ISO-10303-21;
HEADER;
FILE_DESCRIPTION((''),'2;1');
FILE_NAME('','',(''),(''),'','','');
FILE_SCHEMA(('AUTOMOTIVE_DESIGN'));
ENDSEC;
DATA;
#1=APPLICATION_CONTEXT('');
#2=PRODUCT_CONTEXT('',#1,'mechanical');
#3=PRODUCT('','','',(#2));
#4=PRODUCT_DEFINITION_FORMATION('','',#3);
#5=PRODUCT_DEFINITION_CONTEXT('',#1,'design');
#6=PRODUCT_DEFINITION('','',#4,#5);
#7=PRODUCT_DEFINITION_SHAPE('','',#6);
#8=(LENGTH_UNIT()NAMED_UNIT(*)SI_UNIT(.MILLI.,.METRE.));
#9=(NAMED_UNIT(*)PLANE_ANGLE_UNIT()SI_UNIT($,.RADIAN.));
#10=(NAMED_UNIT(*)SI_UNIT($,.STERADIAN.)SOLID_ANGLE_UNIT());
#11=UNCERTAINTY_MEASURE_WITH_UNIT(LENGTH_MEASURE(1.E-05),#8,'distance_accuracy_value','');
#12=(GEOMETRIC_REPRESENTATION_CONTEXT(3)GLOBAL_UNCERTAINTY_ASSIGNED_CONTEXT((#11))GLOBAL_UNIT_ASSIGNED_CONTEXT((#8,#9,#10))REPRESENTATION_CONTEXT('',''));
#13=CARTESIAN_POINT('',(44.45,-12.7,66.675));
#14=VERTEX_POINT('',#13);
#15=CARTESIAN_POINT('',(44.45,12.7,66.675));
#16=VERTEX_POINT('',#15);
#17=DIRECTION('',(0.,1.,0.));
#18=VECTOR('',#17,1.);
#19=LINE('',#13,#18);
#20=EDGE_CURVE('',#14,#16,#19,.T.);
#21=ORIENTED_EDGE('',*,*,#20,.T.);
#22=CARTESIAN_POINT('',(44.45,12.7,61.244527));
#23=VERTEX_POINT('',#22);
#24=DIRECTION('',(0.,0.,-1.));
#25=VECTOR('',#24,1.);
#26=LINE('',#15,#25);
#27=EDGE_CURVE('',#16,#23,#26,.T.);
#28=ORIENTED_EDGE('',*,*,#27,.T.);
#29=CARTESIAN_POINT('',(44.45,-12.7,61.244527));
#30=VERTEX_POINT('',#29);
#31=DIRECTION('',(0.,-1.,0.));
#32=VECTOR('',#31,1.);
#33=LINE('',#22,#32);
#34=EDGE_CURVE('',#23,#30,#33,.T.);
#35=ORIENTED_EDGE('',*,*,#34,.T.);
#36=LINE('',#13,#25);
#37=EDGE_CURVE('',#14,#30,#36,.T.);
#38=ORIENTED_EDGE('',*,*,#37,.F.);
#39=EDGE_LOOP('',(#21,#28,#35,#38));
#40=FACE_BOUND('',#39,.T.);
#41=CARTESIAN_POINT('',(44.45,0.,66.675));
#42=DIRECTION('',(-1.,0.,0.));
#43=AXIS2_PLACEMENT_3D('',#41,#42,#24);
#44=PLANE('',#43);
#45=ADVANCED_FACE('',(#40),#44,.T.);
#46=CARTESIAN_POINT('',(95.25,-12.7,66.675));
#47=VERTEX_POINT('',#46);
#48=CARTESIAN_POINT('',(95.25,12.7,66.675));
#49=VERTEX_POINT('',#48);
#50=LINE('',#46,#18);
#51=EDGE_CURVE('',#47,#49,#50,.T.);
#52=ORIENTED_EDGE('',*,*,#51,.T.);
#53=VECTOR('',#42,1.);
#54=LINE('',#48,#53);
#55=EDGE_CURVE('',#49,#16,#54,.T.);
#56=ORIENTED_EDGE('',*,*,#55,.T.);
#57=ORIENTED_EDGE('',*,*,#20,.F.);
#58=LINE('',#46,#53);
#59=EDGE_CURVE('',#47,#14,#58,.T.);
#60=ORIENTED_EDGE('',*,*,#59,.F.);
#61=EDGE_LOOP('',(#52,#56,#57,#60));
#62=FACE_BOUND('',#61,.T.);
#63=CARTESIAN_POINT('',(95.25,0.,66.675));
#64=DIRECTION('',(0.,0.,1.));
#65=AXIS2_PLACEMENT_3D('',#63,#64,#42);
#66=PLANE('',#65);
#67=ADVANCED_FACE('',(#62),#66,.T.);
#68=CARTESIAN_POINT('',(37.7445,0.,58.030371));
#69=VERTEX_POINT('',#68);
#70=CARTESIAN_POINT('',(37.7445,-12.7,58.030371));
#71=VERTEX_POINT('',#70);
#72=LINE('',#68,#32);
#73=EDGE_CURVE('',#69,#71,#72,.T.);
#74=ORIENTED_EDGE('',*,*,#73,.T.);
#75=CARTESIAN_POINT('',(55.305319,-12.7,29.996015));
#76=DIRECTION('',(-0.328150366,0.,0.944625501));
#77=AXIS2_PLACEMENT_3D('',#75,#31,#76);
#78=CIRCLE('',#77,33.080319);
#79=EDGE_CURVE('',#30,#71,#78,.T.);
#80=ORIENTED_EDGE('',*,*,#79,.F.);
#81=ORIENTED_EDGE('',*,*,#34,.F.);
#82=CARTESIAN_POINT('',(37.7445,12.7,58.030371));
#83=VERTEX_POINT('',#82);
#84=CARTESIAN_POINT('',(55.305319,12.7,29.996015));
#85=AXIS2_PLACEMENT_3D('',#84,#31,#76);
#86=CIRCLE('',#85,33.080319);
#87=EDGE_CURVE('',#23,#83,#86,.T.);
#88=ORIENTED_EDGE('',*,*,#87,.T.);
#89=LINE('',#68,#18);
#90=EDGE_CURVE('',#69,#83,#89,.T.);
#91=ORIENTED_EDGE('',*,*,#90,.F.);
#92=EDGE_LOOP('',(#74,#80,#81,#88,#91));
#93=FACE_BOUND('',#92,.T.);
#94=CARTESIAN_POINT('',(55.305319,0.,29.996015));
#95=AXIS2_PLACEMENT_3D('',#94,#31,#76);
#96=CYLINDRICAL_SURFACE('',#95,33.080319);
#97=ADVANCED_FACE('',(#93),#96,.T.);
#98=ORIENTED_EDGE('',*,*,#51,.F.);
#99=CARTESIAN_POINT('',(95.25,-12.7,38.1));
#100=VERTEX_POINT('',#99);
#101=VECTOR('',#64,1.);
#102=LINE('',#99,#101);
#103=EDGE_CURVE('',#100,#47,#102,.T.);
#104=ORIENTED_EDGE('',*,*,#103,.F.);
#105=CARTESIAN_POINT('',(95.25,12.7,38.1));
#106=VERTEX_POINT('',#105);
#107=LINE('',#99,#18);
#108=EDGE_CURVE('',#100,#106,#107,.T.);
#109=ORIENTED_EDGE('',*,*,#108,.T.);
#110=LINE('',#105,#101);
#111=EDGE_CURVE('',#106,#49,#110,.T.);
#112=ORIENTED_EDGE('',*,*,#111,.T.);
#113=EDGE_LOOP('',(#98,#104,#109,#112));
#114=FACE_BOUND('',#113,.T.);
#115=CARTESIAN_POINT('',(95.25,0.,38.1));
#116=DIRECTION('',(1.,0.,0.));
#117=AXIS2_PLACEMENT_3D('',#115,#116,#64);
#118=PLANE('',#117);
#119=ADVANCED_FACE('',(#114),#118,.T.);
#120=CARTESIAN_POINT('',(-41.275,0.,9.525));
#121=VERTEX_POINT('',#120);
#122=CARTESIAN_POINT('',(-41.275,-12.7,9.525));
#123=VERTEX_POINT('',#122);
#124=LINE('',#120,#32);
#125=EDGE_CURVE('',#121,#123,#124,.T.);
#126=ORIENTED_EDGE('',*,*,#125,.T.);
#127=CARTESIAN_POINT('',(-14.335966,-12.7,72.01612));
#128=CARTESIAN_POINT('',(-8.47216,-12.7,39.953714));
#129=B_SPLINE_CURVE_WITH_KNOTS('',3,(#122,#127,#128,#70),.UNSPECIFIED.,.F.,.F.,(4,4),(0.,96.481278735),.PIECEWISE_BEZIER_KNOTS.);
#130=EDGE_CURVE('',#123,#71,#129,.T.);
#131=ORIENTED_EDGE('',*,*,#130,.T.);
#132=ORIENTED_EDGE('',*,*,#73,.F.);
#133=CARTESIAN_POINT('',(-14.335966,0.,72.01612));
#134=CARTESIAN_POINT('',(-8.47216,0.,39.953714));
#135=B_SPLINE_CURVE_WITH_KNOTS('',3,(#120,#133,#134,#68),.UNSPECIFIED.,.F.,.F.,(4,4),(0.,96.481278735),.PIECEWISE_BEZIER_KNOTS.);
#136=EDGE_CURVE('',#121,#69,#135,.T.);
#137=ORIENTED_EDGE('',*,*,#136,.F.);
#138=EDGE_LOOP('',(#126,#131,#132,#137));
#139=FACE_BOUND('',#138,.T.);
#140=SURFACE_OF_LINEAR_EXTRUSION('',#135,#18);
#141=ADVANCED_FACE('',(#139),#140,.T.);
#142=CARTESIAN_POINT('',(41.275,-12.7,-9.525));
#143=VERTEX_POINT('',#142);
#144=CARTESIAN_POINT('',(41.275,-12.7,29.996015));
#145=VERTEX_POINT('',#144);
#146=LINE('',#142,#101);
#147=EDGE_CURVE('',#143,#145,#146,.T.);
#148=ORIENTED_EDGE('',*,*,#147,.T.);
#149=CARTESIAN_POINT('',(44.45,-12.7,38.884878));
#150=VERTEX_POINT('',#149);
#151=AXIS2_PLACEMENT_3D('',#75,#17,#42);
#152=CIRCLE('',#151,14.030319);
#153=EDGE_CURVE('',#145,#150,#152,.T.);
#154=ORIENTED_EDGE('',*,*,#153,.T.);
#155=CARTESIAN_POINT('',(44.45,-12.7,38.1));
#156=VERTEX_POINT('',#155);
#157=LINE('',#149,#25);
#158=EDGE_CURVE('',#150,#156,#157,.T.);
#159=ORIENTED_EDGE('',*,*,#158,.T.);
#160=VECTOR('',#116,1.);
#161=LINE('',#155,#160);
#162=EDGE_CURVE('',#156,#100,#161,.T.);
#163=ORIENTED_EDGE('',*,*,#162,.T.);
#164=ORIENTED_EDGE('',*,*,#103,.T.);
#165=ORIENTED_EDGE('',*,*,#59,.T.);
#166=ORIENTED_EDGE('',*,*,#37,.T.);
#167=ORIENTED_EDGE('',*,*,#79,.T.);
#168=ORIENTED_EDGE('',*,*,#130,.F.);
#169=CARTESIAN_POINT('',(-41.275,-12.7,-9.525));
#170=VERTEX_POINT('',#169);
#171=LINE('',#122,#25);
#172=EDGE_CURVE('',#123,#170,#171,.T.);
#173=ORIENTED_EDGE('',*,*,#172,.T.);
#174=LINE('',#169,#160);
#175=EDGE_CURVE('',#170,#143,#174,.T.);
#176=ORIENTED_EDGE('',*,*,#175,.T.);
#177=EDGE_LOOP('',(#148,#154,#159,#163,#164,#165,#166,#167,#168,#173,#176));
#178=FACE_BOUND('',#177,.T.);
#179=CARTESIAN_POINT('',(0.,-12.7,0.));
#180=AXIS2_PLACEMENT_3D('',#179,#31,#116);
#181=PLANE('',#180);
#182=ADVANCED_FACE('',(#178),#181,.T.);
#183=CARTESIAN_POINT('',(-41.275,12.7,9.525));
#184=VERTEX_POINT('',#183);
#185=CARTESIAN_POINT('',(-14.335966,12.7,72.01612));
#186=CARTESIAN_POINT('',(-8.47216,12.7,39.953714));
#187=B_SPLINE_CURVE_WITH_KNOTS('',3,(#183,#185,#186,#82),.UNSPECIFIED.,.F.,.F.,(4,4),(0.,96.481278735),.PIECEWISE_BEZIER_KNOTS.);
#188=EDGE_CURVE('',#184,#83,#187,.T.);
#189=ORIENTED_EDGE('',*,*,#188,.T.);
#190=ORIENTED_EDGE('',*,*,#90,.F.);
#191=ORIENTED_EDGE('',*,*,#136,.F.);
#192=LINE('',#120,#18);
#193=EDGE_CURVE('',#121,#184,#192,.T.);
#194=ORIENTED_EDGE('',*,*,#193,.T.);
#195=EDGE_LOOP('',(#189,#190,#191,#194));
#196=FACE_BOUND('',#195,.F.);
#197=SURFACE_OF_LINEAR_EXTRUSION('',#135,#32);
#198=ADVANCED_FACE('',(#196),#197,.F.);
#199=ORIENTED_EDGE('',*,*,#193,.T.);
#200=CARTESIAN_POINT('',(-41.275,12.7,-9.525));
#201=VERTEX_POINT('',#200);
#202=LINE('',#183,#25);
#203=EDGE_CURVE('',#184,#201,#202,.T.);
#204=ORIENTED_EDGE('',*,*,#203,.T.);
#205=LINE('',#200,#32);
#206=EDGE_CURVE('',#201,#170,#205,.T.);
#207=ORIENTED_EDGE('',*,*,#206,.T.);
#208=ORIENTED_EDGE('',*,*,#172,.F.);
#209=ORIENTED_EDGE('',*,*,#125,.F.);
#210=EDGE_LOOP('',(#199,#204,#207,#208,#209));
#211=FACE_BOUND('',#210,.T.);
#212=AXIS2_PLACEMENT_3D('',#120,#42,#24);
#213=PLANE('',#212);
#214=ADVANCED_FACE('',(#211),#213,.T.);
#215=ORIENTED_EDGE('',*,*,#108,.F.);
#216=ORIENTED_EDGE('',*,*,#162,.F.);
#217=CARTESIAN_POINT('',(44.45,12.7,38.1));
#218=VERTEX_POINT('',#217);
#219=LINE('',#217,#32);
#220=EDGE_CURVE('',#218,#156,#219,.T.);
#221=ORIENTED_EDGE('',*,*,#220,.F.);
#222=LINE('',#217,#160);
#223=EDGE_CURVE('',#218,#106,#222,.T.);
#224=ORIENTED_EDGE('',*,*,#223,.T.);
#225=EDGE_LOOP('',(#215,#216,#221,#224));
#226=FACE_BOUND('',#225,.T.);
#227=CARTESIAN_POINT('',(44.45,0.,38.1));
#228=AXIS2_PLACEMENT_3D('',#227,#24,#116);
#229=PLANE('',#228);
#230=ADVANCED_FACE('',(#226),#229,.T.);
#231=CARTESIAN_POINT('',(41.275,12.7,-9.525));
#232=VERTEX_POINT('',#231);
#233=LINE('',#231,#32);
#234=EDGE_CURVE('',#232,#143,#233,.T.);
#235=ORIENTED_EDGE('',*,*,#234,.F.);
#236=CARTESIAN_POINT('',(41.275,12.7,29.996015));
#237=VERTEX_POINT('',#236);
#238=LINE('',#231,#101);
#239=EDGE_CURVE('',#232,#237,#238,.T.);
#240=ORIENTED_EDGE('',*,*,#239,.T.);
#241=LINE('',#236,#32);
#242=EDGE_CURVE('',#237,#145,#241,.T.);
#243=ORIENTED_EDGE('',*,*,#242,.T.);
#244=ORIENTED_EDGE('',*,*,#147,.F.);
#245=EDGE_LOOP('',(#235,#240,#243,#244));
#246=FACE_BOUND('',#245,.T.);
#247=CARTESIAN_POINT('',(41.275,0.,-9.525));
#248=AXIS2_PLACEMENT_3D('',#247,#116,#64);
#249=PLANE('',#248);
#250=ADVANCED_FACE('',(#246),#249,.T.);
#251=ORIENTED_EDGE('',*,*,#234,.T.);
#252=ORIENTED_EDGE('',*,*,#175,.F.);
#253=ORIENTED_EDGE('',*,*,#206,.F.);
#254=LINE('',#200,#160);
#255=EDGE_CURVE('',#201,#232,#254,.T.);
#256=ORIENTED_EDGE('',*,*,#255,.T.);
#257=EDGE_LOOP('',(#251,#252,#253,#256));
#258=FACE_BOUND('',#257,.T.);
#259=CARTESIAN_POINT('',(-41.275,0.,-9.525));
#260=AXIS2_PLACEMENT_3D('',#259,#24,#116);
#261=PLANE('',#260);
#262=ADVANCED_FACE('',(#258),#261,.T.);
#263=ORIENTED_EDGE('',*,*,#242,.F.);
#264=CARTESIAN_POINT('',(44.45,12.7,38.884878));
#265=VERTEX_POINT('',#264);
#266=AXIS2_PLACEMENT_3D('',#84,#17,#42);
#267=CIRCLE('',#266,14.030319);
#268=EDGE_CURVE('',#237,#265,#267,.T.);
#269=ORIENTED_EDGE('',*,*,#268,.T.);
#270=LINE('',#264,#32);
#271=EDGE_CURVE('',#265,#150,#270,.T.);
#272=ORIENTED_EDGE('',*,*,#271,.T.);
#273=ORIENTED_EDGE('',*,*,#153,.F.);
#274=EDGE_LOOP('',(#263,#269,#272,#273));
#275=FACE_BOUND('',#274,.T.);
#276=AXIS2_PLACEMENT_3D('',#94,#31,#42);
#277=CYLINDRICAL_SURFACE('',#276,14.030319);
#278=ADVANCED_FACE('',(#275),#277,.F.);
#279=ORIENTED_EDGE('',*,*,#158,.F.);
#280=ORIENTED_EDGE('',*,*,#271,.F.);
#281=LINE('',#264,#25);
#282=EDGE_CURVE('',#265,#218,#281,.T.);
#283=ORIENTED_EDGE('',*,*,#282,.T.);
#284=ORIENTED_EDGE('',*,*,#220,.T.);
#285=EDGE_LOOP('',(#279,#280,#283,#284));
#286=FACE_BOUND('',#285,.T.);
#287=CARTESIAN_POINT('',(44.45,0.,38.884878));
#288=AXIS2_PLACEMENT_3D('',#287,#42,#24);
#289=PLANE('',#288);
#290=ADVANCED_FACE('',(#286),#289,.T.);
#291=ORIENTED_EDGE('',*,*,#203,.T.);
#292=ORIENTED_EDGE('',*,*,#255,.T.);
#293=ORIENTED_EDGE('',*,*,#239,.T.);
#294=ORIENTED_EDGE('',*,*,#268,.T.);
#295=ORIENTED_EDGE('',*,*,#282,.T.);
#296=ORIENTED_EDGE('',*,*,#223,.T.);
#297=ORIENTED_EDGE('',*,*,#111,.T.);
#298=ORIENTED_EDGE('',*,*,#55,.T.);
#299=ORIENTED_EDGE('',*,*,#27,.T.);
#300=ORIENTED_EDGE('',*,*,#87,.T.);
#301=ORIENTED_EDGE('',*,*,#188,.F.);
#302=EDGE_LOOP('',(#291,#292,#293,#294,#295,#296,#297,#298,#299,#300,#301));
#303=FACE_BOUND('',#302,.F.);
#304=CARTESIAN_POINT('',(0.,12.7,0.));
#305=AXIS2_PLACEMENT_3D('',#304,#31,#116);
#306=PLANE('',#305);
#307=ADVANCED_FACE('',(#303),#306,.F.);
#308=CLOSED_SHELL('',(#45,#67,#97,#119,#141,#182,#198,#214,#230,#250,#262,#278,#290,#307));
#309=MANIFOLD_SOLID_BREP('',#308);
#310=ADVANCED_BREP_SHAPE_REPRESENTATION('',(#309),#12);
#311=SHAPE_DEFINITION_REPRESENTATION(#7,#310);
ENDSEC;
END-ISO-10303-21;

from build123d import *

# Parameters (mm, degrees)
F1_DEPTH = 12.7


with BuildPart() as f1:
    # F0 (on Front) → F1 (new body, symmetric)
    with BuildSketch(Plane.XZ):
        Polygon((41.275, -9.525), (41.275, 9.525), (22.225, 9.525), (-41.275, 9.525), (-41.275, -9.525), align=None)
        with BuildLine():
            Line((22.225, 9.525), (41.275, 9.525))
            Line((41.275, 9.525), (41.275, 29.9960146104))
            ThreePointArc((41.275, 29.9960146104), (42.0925706177, 34.7154564083), (44.45, 38.8848783473))
            Line((44.45, 38.8848783473), (44.45, 60.8874083752))
            add(Edge.make_bspline(
                [(37.7445000859, 58.030370923), (39.8906045522, 58.8697737443), (42.1237209602, 59.8172902867), (44.45, 60.8874083752)],
                knots=[96.4812787351, 96.4812787351, 96.4812787351, 96.4812787351, 100.9614575519, 100.9614575519, 100.9614575519, 100.9614575519], degree=3))
            ThreePointArc((37.7445000859, 58.030370923), (26.3637831356, 46.0177187705), (22.225, 29.9960146104))
            Line((22.225, 29.9960146104), (22.225, 9.525))
        make_face()
        with BuildLine():
            Line((-41.275, 9.525), (22.225, 9.525))
            Line((22.225, 9.525), (22.225, 29.9960146104))
            ThreePointArc((22.225, 29.9960146104), (26.3637831356, 46.0177187705), (37.7445000859, 58.030370923))
            add(Edge.make_bspline(
                [(-41.275, 9.525), (-14.335966035, 72.016119976), (-8.4721603824, 39.953713522), (37.7445000859, 58.030370923)],
                knots=[0, 0, 0, 0, 96.4812787351, 96.4812787351, 96.4812787351, 96.4812787351], degree=3))
        make_face()
        with BuildLine():
            ThreePointArc((60.8709655828, 42.8752), (51.9923406212, 43.6295768141), (44.45, 38.8848783473))
            Line((44.45, 38.8848783473), (44.45, 38.1))
            Line((44.45, 38.1), (69.85, 38.1))
            Line((69.85, 38.1), (69.85, 42.8752))
            Line((69.85, 42.8752), (60.8709655828, 42.8752))
        make_face()
        with BuildLine():
            Line((44.45, 60.8874083752), (44.45, 38.8848783473))
            ThreePointArc((44.45, 38.8848783473), (51.9923406212, 43.6295768141), (60.8709655828, 42.8752))
            Line((60.8709655828, 42.8752), (69.85, 42.8752))
            Line((69.85, 42.8752), (69.85, 66.675))
            Line((69.85, 66.675), (44.45, 66.675))
            Line((44.45, 66.675), (44.45, 61.2445272108))
            ThreePointArc((44.45, 61.2445272108), (45.5463732344, 61.6040905902), (46.6546190734, 61.9252))
            add(Edge.make_bspline(
                [(44.45, 60.8874083752), (45.1757433398, 61.2212595866), (45.9105541104, 61.5670434905), (46.6546190734, 61.9252)],
                knots=[100.9614575519, 100.9614575519, 100.9614575519, 100.9614575519, 102.3591660304, 102.3591660304, 102.3591660304, 102.3591660304], degree=3))
        make_face()
        with BuildLine():
            ThreePointArc((44.45, 61.2445272108), (41.0066504008, 59.8264616221), (37.7445000859, 58.030370923))
            add(Edge.make_bspline(
                [(37.7445000859, 58.030370923), (39.8906045522, 58.8697737443), (42.1237209602, 59.8172902867), (44.45, 60.8874083752)],
                knots=[96.4812787351, 96.4812787351, 96.4812787351, 96.4812787351, 100.9614575519, 100.9614575519, 100.9614575519, 100.9614575519], degree=3))
            Line((44.45, 60.8874083752), (44.45, 61.2445272108))
        make_face()
        with BuildLine():
            Line((44.45, 61.2445272108), (44.45, 60.8874083752))
            add(Edge.make_bspline(
                [(44.45, 60.8874083752), (45.1757433398, 61.2212595866), (45.9105541104, 61.5670434905), (46.6546190734, 61.9252)],
                knots=[100.9614575519, 100.9614575519, 100.9614575519, 100.9614575519, 102.3591660304, 102.3591660304, 102.3591660304, 102.3591660304], degree=3))
            ThreePointArc((46.6546190734, 61.9252), (45.5463732344, 61.6040905902), (44.45, 61.2445272108))
        make_face()
        Polygon((69.85, 42.8752), (69.85, 38.1), (95.25, 38.1), (95.25, 66.675), (69.85, 66.675), align=None)
    extrude(amount=F1_DEPTH, both=True)


solid = f1.part
